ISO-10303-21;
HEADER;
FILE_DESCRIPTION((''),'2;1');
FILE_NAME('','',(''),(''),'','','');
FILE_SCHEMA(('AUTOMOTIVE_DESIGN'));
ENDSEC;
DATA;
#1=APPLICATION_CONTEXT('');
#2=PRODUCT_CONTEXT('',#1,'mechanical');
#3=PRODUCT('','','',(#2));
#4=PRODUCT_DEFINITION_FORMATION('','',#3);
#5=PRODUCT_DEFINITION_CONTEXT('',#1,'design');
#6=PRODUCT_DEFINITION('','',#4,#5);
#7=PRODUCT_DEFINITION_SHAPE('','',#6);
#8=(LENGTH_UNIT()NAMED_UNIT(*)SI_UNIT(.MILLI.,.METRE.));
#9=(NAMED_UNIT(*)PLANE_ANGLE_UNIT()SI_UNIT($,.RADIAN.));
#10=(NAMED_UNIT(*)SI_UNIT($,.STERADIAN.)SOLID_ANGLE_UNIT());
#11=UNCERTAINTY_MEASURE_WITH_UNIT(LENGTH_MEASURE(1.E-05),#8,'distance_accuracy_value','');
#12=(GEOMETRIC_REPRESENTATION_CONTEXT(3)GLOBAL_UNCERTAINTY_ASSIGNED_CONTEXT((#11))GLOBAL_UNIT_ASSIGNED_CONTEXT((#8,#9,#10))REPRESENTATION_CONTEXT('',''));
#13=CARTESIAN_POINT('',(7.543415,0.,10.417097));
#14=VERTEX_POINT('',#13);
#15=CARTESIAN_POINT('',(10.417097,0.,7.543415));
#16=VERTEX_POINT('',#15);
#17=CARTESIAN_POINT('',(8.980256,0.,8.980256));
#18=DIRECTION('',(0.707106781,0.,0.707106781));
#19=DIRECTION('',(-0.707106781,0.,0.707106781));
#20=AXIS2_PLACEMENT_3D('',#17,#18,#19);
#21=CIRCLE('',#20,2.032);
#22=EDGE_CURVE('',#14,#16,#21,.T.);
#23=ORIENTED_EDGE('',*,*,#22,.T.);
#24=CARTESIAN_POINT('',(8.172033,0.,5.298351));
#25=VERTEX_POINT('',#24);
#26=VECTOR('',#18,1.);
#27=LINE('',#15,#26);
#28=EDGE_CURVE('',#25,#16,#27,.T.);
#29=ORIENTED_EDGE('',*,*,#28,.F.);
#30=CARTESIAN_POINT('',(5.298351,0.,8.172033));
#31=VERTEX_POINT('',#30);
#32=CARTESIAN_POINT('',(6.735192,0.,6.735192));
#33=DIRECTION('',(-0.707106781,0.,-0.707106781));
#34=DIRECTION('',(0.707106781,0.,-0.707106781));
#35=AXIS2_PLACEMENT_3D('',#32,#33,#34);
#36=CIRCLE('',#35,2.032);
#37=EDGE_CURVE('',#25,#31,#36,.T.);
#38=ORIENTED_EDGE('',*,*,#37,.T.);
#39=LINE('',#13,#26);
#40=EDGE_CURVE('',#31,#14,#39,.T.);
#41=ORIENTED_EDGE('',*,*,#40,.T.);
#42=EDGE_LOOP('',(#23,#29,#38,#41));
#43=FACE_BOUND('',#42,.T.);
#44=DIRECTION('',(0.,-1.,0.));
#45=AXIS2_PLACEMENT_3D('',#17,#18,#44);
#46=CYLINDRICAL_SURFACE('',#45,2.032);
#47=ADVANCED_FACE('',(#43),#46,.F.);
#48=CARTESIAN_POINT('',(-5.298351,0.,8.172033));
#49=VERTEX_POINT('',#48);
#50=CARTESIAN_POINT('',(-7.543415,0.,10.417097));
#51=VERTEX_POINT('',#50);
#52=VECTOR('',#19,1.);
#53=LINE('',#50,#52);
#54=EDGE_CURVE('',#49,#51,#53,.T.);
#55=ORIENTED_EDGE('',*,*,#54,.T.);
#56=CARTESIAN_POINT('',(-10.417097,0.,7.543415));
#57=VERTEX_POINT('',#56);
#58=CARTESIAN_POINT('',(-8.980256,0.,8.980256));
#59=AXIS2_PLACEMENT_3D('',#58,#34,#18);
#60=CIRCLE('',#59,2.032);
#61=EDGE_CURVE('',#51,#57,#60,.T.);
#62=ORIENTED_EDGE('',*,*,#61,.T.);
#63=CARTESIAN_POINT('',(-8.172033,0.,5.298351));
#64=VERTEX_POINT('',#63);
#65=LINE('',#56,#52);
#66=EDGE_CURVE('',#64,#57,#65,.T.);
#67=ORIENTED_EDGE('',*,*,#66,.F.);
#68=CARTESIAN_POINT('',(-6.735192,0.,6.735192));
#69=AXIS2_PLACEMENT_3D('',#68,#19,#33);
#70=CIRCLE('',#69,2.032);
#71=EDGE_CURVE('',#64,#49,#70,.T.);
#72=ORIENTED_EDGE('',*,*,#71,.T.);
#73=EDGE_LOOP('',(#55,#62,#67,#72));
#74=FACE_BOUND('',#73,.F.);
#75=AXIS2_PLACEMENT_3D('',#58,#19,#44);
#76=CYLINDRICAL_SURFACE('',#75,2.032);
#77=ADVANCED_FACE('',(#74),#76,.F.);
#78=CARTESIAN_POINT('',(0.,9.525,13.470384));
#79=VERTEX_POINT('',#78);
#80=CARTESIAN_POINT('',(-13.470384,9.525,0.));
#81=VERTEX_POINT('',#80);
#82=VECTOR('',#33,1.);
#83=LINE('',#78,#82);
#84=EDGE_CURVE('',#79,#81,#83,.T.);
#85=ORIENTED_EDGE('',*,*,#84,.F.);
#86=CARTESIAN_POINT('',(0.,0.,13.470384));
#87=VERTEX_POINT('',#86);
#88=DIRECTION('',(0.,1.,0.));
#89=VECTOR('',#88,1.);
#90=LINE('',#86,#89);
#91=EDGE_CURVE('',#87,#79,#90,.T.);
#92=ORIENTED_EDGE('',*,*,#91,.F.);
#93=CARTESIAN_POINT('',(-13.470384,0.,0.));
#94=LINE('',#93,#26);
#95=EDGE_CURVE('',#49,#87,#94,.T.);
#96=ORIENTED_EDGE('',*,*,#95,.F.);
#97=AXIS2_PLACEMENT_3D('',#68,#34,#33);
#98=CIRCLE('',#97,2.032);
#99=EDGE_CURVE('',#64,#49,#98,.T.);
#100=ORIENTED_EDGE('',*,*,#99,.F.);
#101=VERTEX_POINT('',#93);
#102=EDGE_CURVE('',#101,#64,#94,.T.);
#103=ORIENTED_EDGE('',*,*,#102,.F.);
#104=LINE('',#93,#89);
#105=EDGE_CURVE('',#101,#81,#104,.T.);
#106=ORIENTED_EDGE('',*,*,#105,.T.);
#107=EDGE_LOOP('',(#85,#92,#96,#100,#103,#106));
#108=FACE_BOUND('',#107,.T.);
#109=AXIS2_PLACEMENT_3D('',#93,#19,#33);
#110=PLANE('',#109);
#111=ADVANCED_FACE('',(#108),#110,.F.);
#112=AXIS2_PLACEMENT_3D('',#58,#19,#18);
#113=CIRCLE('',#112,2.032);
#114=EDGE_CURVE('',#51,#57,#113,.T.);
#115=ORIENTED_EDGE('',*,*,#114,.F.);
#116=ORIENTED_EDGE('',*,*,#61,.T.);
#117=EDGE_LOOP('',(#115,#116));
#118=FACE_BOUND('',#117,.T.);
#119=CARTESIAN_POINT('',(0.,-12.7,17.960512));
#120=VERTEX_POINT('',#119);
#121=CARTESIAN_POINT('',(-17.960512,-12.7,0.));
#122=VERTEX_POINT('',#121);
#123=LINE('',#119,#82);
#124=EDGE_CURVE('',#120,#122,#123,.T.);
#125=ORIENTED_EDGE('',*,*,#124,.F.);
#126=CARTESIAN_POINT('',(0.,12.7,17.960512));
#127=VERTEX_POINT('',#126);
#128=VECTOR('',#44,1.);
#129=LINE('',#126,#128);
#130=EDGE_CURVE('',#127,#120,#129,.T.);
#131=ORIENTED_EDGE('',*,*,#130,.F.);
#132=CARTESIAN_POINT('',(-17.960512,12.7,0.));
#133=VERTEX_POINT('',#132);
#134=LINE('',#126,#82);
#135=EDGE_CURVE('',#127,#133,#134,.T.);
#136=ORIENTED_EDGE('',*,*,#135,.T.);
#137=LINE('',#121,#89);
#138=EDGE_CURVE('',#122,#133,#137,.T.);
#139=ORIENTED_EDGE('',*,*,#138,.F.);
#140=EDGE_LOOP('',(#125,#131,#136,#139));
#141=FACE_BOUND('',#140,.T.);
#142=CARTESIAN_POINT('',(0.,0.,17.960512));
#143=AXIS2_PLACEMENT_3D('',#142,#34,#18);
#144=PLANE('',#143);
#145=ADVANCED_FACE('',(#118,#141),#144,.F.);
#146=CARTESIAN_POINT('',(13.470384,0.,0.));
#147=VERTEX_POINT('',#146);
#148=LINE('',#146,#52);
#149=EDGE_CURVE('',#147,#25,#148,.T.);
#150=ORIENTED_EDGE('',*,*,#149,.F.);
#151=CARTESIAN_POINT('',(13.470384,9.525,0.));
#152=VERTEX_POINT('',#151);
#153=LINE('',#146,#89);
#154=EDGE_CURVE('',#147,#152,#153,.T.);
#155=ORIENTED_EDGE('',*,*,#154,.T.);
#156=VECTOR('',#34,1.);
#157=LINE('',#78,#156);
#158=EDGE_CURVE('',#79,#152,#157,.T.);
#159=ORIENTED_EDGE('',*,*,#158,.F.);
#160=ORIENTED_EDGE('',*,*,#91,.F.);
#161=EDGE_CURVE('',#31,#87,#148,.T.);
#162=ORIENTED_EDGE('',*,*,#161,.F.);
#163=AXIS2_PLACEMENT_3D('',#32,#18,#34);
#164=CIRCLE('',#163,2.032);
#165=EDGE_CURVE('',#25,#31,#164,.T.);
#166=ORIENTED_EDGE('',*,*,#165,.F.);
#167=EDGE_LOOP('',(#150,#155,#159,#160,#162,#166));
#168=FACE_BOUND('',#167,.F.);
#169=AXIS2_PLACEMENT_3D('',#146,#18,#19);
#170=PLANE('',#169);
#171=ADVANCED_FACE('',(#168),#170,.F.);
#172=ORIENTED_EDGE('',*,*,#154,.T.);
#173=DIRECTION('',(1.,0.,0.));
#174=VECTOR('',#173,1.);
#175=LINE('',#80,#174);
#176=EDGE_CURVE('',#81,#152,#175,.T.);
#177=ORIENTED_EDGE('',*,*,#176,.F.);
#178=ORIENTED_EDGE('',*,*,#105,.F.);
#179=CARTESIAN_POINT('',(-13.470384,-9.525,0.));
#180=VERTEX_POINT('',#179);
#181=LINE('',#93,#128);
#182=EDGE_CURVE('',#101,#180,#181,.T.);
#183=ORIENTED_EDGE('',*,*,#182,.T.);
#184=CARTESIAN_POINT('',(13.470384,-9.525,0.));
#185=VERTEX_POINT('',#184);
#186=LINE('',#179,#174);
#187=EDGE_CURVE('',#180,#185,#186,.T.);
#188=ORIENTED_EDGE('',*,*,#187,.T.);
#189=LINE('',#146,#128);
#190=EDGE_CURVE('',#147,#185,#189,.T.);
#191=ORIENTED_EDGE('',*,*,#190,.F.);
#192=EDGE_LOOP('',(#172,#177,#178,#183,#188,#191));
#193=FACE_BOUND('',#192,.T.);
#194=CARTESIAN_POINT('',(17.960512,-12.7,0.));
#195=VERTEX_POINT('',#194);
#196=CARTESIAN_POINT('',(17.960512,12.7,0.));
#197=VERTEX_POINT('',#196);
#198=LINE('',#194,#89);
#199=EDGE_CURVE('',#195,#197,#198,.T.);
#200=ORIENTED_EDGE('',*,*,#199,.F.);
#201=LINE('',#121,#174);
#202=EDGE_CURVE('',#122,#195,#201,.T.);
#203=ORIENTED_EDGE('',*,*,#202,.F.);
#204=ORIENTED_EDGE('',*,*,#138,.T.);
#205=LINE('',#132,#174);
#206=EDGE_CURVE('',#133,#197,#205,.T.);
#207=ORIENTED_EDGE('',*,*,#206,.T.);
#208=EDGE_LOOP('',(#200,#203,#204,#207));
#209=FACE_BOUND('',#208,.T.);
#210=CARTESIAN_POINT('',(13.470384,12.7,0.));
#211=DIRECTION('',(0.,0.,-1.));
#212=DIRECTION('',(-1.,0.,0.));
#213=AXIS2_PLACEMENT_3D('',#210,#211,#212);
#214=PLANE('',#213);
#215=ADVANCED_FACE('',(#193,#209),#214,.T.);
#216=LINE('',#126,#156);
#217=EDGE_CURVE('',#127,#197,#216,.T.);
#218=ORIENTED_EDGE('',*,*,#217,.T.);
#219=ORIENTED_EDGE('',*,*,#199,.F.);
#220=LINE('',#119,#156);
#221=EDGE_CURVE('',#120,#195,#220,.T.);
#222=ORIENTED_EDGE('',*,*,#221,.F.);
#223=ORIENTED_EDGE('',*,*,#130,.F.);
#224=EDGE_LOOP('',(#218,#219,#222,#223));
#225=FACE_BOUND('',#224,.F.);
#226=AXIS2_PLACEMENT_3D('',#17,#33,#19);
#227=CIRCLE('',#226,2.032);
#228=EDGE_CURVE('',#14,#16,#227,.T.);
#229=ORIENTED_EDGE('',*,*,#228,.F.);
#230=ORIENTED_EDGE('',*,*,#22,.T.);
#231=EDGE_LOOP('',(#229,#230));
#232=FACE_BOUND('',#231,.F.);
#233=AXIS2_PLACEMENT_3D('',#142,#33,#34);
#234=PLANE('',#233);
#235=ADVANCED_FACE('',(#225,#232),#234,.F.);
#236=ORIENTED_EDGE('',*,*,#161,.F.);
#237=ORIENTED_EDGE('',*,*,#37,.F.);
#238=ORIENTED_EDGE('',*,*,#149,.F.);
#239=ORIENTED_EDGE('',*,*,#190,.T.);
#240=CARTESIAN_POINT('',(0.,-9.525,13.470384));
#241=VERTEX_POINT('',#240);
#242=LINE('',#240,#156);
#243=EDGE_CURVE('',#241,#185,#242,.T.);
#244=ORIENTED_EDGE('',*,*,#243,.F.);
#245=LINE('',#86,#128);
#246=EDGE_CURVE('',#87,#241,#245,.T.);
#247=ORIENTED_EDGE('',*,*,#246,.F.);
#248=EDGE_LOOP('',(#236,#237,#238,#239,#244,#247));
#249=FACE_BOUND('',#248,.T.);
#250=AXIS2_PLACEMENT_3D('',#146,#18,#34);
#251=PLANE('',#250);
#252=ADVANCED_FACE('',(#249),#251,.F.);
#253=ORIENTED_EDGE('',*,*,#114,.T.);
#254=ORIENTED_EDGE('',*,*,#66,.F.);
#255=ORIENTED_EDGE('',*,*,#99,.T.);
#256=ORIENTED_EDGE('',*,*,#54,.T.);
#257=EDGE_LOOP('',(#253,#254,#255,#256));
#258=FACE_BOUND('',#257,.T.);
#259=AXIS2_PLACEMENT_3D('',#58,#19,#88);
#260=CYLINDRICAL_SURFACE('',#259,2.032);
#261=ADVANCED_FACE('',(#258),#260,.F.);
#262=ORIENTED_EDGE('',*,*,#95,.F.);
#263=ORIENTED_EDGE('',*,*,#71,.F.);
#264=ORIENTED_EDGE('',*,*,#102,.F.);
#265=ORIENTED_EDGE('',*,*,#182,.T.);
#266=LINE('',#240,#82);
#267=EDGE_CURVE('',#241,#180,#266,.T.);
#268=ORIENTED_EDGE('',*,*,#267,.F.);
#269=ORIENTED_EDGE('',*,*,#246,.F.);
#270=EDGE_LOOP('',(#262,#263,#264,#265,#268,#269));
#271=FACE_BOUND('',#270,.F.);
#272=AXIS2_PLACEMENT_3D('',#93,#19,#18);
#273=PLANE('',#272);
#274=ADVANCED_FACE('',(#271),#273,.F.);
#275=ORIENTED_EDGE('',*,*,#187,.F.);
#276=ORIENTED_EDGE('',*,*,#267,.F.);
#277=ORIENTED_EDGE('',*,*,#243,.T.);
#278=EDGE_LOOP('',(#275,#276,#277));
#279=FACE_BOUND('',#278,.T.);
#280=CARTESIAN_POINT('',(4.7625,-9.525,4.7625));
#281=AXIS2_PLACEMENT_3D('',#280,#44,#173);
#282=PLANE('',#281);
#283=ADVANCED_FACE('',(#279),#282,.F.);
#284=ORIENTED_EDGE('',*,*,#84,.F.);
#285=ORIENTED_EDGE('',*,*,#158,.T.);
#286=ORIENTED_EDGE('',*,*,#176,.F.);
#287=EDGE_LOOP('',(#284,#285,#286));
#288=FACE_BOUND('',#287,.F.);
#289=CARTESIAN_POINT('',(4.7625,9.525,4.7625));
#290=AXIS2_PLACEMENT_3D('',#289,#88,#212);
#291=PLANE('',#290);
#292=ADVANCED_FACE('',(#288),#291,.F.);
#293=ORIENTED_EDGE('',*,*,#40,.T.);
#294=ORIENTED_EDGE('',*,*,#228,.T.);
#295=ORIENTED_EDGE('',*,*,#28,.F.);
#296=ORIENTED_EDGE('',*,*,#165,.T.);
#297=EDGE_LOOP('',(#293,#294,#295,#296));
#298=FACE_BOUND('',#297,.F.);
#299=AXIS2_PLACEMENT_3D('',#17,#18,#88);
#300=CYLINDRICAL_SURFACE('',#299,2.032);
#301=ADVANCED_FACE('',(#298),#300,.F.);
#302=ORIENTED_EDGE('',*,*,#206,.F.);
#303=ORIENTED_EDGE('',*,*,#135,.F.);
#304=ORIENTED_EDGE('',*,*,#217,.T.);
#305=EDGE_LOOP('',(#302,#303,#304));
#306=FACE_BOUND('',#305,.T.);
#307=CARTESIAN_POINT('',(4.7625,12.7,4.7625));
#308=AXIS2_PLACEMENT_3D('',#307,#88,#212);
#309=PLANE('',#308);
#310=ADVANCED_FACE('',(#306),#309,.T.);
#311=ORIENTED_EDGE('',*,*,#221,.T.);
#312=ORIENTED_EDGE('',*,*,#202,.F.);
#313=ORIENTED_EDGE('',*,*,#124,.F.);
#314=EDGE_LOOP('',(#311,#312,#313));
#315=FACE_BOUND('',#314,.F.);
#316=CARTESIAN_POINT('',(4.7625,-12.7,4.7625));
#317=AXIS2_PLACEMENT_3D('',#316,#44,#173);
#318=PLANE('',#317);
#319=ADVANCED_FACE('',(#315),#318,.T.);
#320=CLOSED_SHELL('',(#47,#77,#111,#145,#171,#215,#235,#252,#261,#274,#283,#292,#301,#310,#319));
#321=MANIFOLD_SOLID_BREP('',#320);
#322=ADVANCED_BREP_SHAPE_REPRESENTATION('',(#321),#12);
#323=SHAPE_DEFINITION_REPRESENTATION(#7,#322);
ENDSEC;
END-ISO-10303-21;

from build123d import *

# Parameters (mm, degrees)
F1_DEPTH = 12.7
F3_DEPTH = 3.175
F4_R     = 2.032
F5_DEPTH = 12.701


with BuildPart() as f1:
    # F0 (on Front) → F1 (new body)
    with BuildSketch(Plane.XZ):
        Polygon((0, 13.4703841816), (0, 17.9605122421), (-17.9605122421, 0), (-13.4703841816, 0), align=None)
    extrude(amount=F1_DEPTH)

    # F2 (on face) → F3 (join)
    with BuildSketch(Plane.XZ.offset(12.7)):
        Polygon((0, 0), (0, 13.4703841816), (-13.4703841816, 0), align=None)
    extrude(amount=-F3_DEPTH)

    # F4 (on face) → F5 (cut, through all)
    with BuildSketch(Plane(origin=(-8.9802561211, 0, 8.9802561211), x_dir=(0, -1, 0), z_dir=(-0.7071067812, 0, 0.7071067812))):
        Circle(F4_R)
    extrude(amount=-F5_DEPTH, mode=Mode.SUBTRACT)

    # F6: F1 across face


with BuildPart() as f1_1:
    add(f1.part)
    add(f1.part.mirror(Plane(origin=(0, -8.3910714286, 11.8667670171), x_dir=(0, 1, 0), z_dir=(1, 0, 0))))

    # F7: F1 across face


with BuildPart() as f1_2:
    add(f1_1.part)
    add(f1_1.part.mirror(Plane(origin=(0, 0, 12.6031300765), x_dir=(-1, 0, 0), z_dir=(0, 1, 0))))


solid = f1_2.part
